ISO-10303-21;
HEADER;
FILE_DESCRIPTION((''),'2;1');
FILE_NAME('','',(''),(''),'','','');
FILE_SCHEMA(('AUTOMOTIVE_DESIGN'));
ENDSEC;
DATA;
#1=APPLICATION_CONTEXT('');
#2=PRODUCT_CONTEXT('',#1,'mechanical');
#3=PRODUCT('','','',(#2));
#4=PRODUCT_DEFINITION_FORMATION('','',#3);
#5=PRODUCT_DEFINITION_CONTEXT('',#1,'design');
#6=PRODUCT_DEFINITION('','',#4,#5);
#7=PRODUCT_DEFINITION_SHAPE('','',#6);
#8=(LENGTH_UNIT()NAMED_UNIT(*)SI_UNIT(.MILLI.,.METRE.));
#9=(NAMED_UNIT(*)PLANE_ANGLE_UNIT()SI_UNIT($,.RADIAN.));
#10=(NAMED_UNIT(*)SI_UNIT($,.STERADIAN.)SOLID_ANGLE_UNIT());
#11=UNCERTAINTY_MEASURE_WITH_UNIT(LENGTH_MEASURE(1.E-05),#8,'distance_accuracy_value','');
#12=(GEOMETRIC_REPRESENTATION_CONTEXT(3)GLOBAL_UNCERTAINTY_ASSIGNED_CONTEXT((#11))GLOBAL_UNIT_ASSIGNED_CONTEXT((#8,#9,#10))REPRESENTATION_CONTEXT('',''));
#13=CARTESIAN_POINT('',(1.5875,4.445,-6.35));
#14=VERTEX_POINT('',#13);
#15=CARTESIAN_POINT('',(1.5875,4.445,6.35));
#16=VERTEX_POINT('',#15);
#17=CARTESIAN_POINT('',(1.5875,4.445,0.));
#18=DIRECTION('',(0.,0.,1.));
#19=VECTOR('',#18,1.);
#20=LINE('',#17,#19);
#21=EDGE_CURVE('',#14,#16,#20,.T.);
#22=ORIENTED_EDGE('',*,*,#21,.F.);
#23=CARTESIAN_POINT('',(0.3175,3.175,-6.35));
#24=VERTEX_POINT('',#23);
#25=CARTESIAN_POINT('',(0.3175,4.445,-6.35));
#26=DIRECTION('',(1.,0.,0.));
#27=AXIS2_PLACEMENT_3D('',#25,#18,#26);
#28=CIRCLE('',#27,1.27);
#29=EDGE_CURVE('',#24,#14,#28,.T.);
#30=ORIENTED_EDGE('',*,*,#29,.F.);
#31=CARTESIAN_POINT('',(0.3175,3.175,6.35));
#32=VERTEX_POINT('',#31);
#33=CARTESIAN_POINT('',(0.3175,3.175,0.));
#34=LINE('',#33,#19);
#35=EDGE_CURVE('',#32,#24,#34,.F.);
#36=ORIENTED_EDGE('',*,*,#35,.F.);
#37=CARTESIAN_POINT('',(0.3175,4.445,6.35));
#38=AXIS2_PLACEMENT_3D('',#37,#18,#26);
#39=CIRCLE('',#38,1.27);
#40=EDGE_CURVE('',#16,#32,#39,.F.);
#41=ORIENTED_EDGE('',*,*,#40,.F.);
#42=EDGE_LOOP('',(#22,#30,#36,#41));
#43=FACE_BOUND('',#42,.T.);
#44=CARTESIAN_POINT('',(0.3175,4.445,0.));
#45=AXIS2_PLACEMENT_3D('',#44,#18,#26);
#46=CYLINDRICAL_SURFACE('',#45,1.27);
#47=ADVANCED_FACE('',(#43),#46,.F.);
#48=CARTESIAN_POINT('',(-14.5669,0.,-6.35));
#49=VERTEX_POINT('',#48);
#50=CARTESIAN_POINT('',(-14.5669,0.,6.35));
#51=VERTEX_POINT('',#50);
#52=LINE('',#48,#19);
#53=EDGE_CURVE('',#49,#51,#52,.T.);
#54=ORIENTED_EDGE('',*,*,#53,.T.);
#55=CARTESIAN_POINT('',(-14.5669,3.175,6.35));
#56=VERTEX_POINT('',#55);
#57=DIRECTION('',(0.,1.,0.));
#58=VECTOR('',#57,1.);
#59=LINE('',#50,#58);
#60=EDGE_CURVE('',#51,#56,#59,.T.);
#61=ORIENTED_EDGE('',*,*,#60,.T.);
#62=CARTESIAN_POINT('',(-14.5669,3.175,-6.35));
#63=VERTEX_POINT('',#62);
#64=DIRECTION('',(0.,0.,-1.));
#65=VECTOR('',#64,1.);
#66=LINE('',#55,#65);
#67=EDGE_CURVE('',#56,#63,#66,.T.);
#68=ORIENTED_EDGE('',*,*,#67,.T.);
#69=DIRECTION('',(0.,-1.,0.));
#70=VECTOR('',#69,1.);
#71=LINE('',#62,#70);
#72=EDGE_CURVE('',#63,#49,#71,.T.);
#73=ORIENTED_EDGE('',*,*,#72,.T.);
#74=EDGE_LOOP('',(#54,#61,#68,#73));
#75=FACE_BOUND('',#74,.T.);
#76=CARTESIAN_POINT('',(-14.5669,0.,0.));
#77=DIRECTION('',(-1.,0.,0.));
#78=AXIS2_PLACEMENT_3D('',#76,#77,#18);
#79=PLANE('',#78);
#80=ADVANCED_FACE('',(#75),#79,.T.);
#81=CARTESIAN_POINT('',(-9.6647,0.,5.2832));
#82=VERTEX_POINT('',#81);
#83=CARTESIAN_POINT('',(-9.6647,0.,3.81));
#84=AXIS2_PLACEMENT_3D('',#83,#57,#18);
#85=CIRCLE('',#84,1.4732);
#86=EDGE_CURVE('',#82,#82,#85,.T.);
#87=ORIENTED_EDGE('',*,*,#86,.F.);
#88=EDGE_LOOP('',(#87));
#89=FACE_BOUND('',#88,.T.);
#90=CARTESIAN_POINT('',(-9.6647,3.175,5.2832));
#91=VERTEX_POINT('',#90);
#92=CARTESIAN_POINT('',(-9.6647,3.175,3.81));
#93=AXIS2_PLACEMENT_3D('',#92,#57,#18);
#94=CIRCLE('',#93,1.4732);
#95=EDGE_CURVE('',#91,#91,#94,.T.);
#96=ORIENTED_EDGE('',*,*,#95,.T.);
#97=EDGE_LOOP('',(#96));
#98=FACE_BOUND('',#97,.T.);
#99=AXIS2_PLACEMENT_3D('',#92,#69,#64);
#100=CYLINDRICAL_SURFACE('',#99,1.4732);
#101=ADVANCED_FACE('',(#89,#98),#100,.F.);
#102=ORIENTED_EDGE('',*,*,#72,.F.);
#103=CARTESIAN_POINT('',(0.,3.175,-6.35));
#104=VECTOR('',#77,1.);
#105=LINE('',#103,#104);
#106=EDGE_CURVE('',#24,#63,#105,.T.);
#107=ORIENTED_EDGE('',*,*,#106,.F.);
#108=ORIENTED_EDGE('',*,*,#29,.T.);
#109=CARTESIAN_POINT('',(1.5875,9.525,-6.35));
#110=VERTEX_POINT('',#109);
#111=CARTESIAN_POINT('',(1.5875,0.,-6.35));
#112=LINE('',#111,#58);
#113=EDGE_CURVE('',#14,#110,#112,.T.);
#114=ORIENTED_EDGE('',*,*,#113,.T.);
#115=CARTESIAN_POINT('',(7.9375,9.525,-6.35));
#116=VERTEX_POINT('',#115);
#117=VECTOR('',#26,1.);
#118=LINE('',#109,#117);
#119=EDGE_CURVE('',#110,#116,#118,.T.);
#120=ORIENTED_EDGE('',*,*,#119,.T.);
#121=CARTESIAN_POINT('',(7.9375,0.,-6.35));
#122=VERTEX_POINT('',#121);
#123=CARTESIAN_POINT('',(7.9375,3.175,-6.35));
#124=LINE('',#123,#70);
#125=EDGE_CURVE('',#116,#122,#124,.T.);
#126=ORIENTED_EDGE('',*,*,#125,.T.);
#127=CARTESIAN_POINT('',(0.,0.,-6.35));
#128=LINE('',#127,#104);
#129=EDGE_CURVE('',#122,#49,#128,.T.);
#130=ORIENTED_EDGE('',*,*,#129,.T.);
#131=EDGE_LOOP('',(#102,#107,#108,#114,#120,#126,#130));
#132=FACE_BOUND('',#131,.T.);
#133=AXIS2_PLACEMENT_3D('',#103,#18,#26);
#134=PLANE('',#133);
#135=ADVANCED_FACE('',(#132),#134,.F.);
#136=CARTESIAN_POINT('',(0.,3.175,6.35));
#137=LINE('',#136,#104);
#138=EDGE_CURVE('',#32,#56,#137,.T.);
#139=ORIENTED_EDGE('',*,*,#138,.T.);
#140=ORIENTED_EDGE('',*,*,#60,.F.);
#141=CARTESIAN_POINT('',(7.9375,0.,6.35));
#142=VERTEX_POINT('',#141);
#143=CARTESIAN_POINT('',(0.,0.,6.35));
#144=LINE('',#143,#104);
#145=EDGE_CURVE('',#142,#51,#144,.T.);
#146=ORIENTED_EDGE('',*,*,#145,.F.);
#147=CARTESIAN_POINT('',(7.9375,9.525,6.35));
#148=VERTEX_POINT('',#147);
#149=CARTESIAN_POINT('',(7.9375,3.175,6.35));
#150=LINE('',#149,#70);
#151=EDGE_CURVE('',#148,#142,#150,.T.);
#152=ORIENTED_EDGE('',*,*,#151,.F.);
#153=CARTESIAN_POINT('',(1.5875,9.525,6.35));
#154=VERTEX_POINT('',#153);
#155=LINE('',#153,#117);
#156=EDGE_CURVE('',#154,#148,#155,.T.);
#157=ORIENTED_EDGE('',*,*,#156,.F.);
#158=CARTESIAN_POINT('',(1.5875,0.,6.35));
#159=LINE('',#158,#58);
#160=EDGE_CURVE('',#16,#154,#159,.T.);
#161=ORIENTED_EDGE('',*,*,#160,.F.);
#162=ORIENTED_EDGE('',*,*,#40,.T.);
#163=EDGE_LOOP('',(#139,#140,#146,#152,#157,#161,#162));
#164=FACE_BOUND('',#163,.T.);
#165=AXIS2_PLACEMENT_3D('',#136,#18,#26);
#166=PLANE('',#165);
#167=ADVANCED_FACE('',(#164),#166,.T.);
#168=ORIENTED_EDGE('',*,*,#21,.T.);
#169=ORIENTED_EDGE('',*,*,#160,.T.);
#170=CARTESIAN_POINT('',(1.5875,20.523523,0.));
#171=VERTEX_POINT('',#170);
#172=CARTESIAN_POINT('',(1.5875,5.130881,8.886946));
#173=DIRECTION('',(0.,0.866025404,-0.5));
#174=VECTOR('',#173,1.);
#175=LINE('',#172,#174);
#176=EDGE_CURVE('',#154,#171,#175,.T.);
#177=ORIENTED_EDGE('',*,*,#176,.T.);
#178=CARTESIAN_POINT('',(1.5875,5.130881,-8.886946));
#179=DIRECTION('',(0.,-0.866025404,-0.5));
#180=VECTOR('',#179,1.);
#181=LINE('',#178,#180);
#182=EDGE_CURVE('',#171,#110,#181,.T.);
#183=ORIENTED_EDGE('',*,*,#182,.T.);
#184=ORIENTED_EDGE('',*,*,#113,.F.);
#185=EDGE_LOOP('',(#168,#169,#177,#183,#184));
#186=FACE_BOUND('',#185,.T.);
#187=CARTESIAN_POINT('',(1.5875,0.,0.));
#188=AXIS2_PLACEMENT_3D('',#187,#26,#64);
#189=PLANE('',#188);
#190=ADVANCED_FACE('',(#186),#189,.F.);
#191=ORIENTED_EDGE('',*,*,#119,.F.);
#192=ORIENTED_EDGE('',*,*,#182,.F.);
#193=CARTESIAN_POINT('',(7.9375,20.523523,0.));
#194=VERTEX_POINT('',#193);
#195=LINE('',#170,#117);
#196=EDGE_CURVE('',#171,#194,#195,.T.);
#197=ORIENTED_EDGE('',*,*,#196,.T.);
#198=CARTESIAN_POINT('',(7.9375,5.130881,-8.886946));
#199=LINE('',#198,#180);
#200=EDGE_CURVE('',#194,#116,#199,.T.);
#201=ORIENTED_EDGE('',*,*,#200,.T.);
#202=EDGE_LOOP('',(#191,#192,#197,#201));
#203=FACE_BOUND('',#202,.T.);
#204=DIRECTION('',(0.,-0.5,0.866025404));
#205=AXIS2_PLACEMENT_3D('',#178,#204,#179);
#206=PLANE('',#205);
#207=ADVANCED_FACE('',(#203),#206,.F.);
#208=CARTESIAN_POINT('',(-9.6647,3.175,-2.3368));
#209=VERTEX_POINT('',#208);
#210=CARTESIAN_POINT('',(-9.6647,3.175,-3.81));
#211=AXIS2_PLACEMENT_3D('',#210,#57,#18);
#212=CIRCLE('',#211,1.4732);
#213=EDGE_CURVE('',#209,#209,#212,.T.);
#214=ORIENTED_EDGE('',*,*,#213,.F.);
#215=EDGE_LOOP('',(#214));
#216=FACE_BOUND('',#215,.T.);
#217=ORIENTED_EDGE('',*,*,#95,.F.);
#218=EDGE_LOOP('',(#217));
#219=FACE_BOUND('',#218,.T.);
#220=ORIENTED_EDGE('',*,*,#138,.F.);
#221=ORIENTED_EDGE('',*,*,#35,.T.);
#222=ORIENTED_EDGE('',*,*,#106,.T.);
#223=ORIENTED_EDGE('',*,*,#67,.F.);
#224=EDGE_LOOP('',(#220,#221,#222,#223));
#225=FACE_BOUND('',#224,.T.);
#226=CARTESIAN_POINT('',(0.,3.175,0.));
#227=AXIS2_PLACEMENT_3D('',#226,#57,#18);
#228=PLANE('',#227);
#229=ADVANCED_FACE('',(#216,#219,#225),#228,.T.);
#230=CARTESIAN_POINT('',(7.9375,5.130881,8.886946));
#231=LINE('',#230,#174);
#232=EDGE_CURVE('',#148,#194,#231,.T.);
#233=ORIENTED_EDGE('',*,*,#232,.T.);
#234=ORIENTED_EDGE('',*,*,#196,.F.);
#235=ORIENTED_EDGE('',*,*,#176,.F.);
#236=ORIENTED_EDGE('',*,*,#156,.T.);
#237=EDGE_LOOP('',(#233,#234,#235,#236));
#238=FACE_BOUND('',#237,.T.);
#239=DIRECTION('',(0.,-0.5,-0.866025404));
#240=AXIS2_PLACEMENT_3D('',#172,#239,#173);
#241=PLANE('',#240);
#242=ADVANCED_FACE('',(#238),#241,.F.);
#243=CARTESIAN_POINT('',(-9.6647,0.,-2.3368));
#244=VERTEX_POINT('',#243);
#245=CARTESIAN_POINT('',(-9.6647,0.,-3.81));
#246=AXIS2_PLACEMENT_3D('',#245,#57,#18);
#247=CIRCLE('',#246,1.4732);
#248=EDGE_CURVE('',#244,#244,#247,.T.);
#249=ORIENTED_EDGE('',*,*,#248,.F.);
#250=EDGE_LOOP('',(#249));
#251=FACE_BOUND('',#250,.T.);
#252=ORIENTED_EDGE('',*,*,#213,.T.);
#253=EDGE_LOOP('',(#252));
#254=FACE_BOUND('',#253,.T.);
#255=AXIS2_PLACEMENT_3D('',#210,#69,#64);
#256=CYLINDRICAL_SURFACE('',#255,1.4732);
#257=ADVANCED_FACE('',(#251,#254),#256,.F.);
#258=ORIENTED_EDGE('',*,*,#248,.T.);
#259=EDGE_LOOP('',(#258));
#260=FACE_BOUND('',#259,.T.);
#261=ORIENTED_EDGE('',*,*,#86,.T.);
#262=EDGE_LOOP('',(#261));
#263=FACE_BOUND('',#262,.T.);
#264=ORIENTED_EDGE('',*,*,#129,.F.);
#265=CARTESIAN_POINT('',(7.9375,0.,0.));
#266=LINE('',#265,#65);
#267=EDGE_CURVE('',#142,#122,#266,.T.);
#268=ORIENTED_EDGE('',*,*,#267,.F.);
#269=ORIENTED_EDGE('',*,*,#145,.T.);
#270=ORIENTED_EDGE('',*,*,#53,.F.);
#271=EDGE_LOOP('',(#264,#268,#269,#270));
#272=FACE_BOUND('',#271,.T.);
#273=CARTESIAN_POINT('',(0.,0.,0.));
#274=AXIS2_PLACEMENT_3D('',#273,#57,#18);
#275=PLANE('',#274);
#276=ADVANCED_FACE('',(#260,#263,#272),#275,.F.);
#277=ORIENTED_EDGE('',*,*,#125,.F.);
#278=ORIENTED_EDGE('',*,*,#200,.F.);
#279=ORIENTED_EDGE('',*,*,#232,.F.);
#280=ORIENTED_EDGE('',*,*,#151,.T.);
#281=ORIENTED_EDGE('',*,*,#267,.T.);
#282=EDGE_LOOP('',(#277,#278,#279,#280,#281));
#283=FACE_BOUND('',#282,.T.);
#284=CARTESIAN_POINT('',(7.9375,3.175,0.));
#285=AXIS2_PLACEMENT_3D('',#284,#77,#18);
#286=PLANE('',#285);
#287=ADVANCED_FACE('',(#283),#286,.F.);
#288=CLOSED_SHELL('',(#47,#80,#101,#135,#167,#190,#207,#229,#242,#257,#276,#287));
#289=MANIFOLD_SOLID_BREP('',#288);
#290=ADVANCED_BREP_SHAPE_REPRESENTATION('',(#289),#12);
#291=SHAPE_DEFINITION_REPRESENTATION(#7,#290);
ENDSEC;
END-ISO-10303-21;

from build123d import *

# Parameters (mm, degrees)
SKETCH1_W           = 3.4544
SKETCH1_H           = 12.7
SKETCH1_R           = 1.4732
SKETCH1_W_2         = 15.875
BOSS_EXTRUDE1_DEPTH = 3.175
SKETCH2_W           = 12.7
SKETCH2_H           = 6.35
BOSS_EXTRUDE2_DEPTH = 6.35
SKETCH3_W           = 12.7
SKETCH3_H           = 3.175
BOSS_EXTRUDE3_DEPTH = 3.175
FILLET1_R           = 1.27


with BuildPart() as part:
    # Sketch1 → Boss-Extrude1 (new body)
    # profile 1 of 2: a face of its own
    with BuildSketch(Plane(origin=(0, 0, 0), x_dir=(1, 0, 0), z_dir=(0, 1, 0))):
        with Locations((-9.6647, 0)):
            Rectangle(SKETCH1_W, SKETCH1_H)
        with Locations(Location((-9.6647, -3.81, 0), (0, 0, 270))):
            Circle(SKETCH1_R, mode=Mode.SUBTRACT)
        with Locations(Location((-9.6647, 3.81, 0), (0, 0, 270))):
            Circle(SKETCH1_R, mode=Mode.SUBTRACT)
    # profile 2 of 2: a face of its own
    with BuildSketch(Plane(origin=(0, 0, 0), x_dir=(1, 0, 0), z_dir=(0, 1, 0))):
        Rectangle(SKETCH1_W_2, SKETCH1_H)
    extrude(amount=BOSS_EXTRUDE1_DEPTH)

    # Sketch2 → Boss-Extrude2 (add)
    with BuildSketch(Plane(origin=(7.9375, 0, 0), x_dir=(0, 0, -1), z_dir=(1, 0, 0))):
        with Locations((0, 6.35)):
            Rectangle(SKETCH2_W, SKETCH2_H)
        Polygon((0, 20.523522628), (6.35, 9.525), (-6.35, 9.525), align=None)
    extrude(amount=-BOSS_EXTRUDE2_DEPTH)

    # Sketch3 → Boss-Extrude3 (add)
    with BuildSketch(Plane.ZY.offset(11.3919)):
        with Locations((0, 1.5875)):
            Rectangle(SKETCH3_W, SKETCH3_H)
    extrude(amount=BOSS_EXTRUDE3_DEPTH)

    # Fillet1
    fillet1_edges = [part.edges().sort_by_distance(p)[0] for p in [
        (1.5875, 3.175, 0),
    ]]
    fillet(fillet1_edges, radius=FILLET1_R)


solid = part.part
